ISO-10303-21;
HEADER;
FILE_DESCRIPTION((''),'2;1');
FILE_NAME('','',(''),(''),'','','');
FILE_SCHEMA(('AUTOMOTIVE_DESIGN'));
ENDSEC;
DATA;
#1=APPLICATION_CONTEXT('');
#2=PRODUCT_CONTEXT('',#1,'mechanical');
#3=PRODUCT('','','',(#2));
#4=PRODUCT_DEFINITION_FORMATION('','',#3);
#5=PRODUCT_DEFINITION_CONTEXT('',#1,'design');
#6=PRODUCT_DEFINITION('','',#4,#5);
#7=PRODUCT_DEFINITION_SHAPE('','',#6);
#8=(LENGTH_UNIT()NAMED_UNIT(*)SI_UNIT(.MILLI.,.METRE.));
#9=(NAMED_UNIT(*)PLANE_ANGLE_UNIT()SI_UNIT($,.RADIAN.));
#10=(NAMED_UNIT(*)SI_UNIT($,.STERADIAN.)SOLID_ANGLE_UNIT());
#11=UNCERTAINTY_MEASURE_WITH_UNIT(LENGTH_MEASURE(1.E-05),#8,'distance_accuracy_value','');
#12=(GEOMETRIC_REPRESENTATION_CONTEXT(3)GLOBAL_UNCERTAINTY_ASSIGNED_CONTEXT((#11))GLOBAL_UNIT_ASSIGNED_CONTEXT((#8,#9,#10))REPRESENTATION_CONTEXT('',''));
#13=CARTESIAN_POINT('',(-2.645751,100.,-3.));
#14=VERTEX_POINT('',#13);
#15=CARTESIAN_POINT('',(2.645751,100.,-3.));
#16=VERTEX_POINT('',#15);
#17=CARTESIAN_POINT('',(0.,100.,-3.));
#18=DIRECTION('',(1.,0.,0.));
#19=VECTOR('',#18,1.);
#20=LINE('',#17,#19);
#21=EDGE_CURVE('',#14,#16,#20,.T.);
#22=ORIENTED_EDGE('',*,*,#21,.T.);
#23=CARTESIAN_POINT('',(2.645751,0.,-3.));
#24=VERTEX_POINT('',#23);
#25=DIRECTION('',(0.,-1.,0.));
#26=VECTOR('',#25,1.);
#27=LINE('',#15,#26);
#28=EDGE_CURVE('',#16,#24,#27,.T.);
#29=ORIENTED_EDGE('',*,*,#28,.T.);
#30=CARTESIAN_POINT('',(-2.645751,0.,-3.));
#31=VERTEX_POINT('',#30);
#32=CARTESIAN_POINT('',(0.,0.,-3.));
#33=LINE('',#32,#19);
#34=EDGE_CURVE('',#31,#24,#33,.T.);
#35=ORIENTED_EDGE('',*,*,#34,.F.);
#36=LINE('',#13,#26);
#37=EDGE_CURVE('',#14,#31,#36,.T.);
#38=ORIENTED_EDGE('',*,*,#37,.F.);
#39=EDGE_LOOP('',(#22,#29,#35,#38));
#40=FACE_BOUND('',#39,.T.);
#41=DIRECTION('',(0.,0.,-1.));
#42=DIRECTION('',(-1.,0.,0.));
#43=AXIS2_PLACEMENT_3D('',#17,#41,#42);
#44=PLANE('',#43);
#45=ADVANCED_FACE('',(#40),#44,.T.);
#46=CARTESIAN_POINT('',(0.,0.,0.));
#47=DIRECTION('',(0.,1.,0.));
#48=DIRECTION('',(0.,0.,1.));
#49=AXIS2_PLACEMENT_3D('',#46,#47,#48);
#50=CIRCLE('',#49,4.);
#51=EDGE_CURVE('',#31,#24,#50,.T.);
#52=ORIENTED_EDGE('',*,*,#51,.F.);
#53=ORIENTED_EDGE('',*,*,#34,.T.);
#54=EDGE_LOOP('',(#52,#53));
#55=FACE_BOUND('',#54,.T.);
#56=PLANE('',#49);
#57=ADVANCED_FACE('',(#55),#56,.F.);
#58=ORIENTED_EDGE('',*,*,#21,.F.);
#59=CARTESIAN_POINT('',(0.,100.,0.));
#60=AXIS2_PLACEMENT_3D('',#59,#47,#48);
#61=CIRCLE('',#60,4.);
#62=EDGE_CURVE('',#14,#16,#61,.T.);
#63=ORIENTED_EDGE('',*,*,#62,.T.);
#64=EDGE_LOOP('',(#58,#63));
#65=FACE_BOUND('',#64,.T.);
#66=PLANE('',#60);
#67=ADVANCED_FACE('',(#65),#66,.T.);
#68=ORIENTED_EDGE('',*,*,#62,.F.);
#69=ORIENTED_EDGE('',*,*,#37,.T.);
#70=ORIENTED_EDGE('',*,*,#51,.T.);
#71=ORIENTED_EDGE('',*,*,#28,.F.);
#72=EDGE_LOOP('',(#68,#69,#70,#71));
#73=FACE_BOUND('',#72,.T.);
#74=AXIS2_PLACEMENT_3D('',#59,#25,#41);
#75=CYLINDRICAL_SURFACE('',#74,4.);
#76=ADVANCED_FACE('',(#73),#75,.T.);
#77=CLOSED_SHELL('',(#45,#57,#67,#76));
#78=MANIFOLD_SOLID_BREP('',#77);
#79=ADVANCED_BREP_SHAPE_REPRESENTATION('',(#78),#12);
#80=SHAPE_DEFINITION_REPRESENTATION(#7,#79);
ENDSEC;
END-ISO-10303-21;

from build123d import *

# Parameters (mm, degrees)
EXTRUDE_1_DEPTH = 100


with BuildPart() as part:
    # 草图1 → 凸台-拉伸1 (new body)
    with BuildSketch(Plane(origin=(0, 0, 0), x_dir=(1, 0, 0), z_dir=(0, 1, 0))):
        with BuildLine():
            ThreePointArc((-2.645751311, 3), (0, -4), (2.645751311, 3))
            Line((2.645751311, 3), (-2.645751311, 3))
        make_face()
    extrude(amount=EXTRUDE_1_DEPTH)


solid = part.part
